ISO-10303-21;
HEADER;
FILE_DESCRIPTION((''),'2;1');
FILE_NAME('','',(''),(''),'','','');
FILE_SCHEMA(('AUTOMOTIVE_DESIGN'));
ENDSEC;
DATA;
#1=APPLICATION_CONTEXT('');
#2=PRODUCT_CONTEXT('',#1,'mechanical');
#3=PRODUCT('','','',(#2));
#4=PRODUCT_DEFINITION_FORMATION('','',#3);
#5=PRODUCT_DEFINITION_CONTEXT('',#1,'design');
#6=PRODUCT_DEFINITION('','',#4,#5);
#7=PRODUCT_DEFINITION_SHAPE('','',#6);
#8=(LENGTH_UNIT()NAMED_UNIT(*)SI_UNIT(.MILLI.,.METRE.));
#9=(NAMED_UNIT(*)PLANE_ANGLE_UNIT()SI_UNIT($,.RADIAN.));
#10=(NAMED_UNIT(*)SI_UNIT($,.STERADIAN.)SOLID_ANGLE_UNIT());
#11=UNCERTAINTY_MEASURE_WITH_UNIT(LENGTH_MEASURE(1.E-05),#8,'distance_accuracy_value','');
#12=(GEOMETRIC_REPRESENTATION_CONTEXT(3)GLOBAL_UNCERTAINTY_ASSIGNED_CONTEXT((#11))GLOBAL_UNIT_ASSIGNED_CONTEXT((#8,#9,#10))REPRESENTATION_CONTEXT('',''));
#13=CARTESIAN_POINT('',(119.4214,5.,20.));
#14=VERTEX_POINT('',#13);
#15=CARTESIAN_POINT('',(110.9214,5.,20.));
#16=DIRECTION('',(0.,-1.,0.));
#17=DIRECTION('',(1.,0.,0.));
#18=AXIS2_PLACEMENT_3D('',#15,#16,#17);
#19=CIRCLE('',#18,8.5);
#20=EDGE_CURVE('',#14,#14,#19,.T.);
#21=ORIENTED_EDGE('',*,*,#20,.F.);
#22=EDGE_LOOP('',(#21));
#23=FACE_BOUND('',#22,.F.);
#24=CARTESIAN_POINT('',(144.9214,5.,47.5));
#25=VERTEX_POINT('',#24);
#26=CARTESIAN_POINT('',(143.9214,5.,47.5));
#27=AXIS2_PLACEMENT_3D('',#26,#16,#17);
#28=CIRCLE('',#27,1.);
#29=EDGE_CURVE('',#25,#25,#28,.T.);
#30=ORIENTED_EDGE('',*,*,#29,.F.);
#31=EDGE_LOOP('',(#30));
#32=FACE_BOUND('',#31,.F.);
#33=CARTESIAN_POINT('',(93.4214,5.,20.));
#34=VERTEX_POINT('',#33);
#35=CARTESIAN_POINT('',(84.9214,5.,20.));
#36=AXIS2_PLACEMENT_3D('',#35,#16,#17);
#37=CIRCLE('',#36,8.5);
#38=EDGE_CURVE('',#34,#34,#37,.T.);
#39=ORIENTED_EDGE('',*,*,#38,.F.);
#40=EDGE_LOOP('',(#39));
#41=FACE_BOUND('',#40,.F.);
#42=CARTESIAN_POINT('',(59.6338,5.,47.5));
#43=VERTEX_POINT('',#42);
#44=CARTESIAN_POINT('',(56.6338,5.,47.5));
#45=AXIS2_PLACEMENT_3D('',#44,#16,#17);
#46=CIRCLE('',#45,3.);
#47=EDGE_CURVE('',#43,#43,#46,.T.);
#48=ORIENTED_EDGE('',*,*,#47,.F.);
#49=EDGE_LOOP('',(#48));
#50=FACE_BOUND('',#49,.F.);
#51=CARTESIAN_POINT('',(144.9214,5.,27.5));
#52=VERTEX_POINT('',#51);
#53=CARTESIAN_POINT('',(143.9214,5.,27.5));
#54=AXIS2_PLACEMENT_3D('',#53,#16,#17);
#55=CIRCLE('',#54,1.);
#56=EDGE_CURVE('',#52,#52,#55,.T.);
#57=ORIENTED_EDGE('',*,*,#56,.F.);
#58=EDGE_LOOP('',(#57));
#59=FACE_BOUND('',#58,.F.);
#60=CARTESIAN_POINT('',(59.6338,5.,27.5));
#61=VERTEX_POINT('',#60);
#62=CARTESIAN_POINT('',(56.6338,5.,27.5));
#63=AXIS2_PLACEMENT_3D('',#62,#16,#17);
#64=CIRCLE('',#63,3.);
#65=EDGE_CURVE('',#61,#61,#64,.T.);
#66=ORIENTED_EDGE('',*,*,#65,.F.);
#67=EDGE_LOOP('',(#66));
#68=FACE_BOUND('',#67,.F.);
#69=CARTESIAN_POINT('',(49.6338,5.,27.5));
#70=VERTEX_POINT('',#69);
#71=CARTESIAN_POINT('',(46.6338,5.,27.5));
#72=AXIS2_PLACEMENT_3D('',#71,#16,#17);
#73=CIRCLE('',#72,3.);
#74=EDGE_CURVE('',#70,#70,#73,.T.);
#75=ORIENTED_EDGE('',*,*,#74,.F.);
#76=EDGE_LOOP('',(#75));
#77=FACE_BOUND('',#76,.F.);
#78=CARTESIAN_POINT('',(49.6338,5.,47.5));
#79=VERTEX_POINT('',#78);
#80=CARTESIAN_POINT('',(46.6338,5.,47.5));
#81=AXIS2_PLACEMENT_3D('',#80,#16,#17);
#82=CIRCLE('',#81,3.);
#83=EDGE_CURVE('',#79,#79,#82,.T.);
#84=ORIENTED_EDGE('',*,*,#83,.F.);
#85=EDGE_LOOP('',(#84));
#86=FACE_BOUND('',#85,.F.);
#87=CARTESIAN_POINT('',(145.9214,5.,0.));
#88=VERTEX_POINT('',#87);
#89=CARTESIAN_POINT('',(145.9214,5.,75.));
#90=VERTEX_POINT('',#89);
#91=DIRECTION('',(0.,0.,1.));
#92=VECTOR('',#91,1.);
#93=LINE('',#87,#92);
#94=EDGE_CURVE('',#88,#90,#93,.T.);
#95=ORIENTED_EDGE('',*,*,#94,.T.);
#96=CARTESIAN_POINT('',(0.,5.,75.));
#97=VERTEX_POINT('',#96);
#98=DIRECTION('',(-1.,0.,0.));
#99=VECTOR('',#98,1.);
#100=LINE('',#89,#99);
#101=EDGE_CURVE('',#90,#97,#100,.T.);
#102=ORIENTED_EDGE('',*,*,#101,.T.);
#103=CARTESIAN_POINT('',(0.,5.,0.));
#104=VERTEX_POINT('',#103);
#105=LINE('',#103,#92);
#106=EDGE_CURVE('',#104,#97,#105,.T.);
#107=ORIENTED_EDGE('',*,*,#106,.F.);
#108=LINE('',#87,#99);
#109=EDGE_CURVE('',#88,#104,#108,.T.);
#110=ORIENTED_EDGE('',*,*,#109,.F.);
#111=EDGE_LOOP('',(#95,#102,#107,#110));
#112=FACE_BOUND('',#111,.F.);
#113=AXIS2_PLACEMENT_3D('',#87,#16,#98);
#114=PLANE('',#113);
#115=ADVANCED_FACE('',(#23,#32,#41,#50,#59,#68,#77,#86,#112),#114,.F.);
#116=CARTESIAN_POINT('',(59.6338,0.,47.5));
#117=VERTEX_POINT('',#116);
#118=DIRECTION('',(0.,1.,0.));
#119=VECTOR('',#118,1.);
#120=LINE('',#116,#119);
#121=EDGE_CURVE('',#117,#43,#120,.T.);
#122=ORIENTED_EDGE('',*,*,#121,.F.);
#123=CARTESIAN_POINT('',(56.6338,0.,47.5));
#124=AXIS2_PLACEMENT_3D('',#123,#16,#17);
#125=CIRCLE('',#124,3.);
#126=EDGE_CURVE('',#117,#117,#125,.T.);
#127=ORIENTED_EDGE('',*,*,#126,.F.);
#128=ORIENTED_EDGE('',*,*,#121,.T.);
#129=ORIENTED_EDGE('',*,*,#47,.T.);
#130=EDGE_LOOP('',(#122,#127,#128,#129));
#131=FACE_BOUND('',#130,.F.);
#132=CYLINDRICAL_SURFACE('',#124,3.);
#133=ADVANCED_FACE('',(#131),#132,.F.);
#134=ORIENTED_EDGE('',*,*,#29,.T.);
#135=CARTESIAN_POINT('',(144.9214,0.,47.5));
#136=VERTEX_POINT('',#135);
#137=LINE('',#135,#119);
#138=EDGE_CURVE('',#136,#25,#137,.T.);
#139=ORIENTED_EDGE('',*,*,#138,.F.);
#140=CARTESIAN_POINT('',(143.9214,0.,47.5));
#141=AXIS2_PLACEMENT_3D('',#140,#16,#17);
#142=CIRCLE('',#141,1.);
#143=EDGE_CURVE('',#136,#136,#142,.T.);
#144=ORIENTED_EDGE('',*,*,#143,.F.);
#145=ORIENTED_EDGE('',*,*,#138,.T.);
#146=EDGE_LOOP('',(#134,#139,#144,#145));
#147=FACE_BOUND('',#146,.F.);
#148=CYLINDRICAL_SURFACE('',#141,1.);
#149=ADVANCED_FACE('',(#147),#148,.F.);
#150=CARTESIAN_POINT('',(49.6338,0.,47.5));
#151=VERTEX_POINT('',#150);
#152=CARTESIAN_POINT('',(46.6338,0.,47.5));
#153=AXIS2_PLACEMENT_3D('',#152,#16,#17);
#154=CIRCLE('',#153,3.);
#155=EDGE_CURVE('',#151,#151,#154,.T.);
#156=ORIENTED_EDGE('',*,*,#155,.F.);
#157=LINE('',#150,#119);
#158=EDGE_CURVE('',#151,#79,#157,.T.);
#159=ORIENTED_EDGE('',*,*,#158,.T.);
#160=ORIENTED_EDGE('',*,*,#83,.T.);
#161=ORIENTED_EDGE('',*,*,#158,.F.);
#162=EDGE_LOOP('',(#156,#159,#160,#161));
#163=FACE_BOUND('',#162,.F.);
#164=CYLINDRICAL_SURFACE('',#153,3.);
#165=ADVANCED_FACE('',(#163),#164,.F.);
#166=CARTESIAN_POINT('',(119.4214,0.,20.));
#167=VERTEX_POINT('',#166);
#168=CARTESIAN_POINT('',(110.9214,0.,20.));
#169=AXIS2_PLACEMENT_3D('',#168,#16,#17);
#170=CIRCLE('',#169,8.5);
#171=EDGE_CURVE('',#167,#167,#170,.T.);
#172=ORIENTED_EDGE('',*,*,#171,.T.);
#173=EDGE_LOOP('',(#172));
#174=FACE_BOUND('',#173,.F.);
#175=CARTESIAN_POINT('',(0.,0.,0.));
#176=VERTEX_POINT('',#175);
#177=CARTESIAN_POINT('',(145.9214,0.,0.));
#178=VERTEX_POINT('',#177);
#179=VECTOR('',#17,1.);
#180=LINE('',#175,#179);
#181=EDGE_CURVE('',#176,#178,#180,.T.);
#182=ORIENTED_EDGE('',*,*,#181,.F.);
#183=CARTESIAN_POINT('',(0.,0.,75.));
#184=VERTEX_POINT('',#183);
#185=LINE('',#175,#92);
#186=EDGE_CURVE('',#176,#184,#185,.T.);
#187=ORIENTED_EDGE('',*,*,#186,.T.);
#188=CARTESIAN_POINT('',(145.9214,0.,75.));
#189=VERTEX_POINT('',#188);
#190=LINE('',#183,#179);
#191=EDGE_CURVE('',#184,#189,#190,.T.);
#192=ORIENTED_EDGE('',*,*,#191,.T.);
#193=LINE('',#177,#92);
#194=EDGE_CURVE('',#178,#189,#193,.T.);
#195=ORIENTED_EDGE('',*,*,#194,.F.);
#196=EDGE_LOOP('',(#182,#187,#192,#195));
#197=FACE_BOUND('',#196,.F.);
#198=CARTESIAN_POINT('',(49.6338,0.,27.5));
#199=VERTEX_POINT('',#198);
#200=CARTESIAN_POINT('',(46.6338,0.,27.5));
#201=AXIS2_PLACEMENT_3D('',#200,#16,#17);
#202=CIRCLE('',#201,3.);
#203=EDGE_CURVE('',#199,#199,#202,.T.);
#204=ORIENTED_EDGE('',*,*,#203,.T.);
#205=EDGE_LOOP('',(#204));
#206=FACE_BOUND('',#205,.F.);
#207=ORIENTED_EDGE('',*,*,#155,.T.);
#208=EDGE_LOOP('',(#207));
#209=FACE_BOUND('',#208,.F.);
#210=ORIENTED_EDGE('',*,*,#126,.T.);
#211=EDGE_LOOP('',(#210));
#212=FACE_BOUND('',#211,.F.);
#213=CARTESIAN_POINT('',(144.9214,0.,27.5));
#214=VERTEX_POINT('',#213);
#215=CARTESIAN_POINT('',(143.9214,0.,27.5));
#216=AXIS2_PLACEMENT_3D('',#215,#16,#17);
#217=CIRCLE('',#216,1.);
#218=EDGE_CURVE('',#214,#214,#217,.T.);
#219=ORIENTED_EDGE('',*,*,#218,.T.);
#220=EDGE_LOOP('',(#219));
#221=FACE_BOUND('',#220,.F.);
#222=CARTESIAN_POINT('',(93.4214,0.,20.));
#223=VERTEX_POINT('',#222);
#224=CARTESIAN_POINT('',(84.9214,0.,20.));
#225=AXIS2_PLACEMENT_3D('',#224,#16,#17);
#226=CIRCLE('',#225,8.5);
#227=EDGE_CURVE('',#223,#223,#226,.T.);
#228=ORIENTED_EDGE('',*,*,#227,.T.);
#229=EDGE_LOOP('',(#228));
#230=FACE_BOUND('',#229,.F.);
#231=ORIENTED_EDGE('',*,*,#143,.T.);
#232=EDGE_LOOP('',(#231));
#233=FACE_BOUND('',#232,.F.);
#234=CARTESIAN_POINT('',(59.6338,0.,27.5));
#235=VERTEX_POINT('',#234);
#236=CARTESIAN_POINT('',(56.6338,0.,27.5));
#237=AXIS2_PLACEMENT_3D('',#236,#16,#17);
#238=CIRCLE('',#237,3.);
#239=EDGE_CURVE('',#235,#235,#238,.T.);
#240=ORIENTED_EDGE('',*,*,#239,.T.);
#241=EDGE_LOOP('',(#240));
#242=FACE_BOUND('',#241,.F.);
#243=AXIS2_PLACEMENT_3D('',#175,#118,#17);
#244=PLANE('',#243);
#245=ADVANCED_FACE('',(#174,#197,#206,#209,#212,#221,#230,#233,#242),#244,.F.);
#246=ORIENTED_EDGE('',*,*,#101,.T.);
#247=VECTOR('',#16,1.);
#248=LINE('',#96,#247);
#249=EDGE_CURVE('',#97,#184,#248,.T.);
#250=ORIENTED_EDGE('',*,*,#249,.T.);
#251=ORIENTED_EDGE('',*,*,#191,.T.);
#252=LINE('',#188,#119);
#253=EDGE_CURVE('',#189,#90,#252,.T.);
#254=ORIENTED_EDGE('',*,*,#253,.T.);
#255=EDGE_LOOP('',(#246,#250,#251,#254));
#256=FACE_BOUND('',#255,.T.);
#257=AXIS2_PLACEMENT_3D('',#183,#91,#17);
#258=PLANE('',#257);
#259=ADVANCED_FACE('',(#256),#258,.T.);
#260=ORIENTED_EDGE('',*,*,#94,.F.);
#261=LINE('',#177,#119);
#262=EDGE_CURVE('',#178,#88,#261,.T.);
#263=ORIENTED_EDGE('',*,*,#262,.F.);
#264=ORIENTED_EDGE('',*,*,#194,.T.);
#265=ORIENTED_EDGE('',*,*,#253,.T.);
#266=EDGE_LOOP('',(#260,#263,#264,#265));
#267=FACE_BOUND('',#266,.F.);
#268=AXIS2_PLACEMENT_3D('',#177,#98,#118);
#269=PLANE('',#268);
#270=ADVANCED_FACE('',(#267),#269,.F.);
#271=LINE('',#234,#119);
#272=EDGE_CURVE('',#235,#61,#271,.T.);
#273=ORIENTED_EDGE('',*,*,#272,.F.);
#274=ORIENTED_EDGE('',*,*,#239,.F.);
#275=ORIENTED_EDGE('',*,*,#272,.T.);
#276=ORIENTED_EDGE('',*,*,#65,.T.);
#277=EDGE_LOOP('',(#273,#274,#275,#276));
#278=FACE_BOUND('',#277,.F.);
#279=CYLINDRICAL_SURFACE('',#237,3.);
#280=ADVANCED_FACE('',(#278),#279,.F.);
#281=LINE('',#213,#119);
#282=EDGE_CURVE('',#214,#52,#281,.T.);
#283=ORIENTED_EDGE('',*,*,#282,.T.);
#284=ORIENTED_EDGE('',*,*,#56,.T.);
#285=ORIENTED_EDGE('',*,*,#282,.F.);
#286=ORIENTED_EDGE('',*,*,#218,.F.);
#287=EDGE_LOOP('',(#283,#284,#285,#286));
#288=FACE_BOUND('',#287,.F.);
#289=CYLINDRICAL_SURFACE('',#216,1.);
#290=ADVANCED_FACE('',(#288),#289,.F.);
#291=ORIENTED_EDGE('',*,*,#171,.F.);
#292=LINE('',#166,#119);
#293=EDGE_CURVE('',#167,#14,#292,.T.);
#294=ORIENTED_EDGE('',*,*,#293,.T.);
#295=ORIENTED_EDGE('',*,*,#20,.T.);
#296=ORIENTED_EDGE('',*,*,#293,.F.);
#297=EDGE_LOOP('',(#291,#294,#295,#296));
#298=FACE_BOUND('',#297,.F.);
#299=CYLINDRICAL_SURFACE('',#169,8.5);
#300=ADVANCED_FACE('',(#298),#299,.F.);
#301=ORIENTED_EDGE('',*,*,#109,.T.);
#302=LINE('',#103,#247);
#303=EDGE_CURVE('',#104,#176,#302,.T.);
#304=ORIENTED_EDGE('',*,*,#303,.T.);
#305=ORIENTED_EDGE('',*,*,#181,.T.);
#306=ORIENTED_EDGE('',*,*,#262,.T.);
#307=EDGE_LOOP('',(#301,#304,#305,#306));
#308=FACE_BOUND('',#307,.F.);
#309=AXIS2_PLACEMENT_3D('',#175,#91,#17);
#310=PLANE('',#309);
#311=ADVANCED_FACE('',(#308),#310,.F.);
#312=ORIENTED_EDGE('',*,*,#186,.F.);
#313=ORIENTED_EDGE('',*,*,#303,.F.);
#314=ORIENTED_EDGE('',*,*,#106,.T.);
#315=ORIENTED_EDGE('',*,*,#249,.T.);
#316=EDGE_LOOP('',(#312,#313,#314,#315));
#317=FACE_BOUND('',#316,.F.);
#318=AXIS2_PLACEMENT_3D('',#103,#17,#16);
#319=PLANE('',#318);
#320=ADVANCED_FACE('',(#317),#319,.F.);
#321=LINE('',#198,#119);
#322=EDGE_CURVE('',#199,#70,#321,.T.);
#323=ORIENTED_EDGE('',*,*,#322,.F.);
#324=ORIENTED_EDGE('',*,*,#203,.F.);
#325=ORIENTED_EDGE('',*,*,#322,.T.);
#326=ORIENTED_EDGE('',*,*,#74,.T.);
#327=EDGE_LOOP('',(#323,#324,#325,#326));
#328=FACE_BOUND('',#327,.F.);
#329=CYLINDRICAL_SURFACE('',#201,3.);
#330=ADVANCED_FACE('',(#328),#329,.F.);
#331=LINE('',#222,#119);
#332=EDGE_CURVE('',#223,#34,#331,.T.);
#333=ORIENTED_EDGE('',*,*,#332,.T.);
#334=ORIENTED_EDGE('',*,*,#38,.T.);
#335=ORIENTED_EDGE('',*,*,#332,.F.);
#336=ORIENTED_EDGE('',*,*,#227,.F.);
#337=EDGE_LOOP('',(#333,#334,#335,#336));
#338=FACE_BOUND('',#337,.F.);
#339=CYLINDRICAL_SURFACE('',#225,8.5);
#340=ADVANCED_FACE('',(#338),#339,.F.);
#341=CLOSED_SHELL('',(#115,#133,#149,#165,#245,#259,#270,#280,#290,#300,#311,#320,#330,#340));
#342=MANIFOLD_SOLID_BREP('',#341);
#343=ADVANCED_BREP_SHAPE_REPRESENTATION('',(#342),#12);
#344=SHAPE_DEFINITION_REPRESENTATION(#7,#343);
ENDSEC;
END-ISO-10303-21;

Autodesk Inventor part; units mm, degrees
ref_plane "YZ Plane" through (0, 0, 0) normal (1, 0, 0) x (0, 1, 0)
ref_plane "XZ Plane" through (0, 0, 0) normal (0, 1, 0) x (-1, 0, 0)
ref_plane "XY Plane" through (0, 0, 0) normal (0, 0, 1) x (1, 0, 0)
sketch "Sketch1" plane through (0, 0, 0) normal (0, 0, 1) x (1, 0, 0)
  line L0 (0, 0) -> (145.9214, 0)
  line L1 (145.9214, 0) -> (145.9214, 5)
  line L2 (145.9214, 5) -> (0, 5)
  line L3 (0, 5) -> (0, 0)
  dimension "d0" = 145.9214
  dimension "d1" = 5
extrude "Extrusion1" add sketch "Sketch1" along normal blind 75
sketch "Sketch2" plane through (0, 0, 0) normal (0, -1, 0) x (1, 0, 0)
  circle A0 centre (46.6338, 27.5) radius 3
  line L0 (0, 0) -> (145.9214, 0) projected
  line L1 (0, 0) -> (0, 75) projected
  circle A1 centre (46.6338, 47.5) radius 3
  circle A2 centre (56.6338, 47.5) radius 3
  circle A3 centre (56.6338, 27.5) radius 3
  dimension "d4" = 6
  dimension "d5" = 27.5
  dimension "d6" = 46.6338
  dimension "d7" = 6
  dimension "d8" = 20
  dimension "d9" = 6
  dimension "d10" = 6
  dimension "d11" = 10
extrude "Extrusion2" cut sketch "Sketch2" against normal through all
sketch "Sketch3" plane through (0, 0, 0) normal (0, -1, 0) x (1, 0, 0)
  circle A0 centre (46.6338, 27.5) radius 3 projected
  circle A1 centre (143.9214, 27.5) radius 1
  circle A2 centre (143.9214, 47.5) radius 1
  circle A3 centre (46.6338, 47.5) radius 3 projected
  line L0 (145.9214, 0) -> (145.9214, 75) projected
  point P0 (0, 0)
  dimension "d22" = 2
  dimension "d23" = 2
  dimension "d24" = 2
extrude "Extrusion3" cut sketch "Sketch3" against normal through all contours A1 | A2
thread "Thread7" size "M2x0.4" class "6H" standard "ANSI Metric M Profile" full length
thread "Thread8" size "M2x0.4" class "6H" standard "ANSI Metric M Profile" full length
sketch "Sketch4" plane through (0, 0, 0) normal (0, -1, 0) x (1, 0, 0)
  circle A0 centre (110.9214, 20) radius 8.5
  line L0 (145.9214, 0) -> (145.9214, 75) projected
  line L1 (0, 75) -> (145.9214, 75) projected
  circle A1 centre (84.9214, 20) radius 8.5
  point P0 (0, 0)
  dimension "d35" = 17
  dimension "d36" = 35
  dimension "d38" = 17
  dimension "d39" = 26
  dimension "d42" = 20
extrude "Extrusion4" cut sketch "Sketch4" against normal through all
properties part number "CW001" material "ABS Plastic"
